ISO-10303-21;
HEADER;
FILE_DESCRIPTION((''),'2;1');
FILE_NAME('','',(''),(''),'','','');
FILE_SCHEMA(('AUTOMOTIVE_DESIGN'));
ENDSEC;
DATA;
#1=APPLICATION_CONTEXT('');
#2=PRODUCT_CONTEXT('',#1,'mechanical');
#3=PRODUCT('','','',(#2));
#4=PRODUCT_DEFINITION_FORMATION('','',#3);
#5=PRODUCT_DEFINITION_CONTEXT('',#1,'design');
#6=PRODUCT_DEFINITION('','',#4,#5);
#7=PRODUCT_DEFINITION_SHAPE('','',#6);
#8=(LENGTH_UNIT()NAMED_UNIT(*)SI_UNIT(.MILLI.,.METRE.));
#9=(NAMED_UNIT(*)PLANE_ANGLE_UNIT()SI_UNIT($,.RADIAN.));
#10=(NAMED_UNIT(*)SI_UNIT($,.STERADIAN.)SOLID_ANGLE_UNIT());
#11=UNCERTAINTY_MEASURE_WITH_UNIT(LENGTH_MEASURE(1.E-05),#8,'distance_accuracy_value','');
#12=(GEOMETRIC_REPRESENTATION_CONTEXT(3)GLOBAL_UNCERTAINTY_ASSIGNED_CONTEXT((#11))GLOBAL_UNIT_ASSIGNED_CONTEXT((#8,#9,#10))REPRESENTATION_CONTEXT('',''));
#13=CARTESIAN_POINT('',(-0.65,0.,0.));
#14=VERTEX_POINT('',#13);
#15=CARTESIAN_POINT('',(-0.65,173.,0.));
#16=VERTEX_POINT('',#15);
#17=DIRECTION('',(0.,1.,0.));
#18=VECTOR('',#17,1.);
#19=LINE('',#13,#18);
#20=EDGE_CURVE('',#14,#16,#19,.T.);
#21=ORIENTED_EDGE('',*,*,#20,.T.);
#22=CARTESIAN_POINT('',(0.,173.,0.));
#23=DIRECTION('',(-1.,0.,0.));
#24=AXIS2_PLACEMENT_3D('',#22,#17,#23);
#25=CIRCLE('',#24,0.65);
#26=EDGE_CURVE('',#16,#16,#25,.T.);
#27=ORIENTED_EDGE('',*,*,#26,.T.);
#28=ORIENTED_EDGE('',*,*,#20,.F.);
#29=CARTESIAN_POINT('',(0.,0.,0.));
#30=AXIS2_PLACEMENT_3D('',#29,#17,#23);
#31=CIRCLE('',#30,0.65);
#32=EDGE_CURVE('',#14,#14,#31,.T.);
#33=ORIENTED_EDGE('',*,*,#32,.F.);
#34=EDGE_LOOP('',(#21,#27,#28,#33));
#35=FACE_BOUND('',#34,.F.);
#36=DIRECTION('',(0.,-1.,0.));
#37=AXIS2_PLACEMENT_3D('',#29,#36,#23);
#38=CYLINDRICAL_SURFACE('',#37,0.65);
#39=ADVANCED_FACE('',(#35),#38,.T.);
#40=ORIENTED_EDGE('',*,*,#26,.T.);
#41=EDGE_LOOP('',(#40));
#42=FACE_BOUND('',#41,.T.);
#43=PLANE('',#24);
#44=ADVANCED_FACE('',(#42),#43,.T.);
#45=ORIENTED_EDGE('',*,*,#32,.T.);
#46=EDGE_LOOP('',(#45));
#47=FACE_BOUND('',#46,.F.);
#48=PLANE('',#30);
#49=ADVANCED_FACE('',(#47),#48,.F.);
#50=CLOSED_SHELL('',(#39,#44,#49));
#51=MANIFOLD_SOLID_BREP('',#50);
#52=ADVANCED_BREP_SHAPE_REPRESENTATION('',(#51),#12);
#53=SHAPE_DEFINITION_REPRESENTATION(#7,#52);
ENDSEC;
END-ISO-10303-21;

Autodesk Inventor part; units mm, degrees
ref_plane "YZ Plane" through (0, 0, 0) normal (1, 0, 0) x (0, 1, 0)
ref_plane "XZ Plane" through (0, 0, 0) normal (0, 1, 0) x (-1, 0, 0)
ref_plane "XY Plane" through (0, 0, 0) normal (0, 0, 1) x (1, 0, 0)
sketch "Sketch1" plane through (0, 0, 0) normal (0, 1, 0) x (-1, 0, 0)
  circle A0 centre (0, 0) radius 0.65
  dimension "d0" = 1.3
extrude "Extrusion1" add sketch "Sketch1" along normal blind 173
properties part number "Antenna433" material "Brass, Soft Yellow"
